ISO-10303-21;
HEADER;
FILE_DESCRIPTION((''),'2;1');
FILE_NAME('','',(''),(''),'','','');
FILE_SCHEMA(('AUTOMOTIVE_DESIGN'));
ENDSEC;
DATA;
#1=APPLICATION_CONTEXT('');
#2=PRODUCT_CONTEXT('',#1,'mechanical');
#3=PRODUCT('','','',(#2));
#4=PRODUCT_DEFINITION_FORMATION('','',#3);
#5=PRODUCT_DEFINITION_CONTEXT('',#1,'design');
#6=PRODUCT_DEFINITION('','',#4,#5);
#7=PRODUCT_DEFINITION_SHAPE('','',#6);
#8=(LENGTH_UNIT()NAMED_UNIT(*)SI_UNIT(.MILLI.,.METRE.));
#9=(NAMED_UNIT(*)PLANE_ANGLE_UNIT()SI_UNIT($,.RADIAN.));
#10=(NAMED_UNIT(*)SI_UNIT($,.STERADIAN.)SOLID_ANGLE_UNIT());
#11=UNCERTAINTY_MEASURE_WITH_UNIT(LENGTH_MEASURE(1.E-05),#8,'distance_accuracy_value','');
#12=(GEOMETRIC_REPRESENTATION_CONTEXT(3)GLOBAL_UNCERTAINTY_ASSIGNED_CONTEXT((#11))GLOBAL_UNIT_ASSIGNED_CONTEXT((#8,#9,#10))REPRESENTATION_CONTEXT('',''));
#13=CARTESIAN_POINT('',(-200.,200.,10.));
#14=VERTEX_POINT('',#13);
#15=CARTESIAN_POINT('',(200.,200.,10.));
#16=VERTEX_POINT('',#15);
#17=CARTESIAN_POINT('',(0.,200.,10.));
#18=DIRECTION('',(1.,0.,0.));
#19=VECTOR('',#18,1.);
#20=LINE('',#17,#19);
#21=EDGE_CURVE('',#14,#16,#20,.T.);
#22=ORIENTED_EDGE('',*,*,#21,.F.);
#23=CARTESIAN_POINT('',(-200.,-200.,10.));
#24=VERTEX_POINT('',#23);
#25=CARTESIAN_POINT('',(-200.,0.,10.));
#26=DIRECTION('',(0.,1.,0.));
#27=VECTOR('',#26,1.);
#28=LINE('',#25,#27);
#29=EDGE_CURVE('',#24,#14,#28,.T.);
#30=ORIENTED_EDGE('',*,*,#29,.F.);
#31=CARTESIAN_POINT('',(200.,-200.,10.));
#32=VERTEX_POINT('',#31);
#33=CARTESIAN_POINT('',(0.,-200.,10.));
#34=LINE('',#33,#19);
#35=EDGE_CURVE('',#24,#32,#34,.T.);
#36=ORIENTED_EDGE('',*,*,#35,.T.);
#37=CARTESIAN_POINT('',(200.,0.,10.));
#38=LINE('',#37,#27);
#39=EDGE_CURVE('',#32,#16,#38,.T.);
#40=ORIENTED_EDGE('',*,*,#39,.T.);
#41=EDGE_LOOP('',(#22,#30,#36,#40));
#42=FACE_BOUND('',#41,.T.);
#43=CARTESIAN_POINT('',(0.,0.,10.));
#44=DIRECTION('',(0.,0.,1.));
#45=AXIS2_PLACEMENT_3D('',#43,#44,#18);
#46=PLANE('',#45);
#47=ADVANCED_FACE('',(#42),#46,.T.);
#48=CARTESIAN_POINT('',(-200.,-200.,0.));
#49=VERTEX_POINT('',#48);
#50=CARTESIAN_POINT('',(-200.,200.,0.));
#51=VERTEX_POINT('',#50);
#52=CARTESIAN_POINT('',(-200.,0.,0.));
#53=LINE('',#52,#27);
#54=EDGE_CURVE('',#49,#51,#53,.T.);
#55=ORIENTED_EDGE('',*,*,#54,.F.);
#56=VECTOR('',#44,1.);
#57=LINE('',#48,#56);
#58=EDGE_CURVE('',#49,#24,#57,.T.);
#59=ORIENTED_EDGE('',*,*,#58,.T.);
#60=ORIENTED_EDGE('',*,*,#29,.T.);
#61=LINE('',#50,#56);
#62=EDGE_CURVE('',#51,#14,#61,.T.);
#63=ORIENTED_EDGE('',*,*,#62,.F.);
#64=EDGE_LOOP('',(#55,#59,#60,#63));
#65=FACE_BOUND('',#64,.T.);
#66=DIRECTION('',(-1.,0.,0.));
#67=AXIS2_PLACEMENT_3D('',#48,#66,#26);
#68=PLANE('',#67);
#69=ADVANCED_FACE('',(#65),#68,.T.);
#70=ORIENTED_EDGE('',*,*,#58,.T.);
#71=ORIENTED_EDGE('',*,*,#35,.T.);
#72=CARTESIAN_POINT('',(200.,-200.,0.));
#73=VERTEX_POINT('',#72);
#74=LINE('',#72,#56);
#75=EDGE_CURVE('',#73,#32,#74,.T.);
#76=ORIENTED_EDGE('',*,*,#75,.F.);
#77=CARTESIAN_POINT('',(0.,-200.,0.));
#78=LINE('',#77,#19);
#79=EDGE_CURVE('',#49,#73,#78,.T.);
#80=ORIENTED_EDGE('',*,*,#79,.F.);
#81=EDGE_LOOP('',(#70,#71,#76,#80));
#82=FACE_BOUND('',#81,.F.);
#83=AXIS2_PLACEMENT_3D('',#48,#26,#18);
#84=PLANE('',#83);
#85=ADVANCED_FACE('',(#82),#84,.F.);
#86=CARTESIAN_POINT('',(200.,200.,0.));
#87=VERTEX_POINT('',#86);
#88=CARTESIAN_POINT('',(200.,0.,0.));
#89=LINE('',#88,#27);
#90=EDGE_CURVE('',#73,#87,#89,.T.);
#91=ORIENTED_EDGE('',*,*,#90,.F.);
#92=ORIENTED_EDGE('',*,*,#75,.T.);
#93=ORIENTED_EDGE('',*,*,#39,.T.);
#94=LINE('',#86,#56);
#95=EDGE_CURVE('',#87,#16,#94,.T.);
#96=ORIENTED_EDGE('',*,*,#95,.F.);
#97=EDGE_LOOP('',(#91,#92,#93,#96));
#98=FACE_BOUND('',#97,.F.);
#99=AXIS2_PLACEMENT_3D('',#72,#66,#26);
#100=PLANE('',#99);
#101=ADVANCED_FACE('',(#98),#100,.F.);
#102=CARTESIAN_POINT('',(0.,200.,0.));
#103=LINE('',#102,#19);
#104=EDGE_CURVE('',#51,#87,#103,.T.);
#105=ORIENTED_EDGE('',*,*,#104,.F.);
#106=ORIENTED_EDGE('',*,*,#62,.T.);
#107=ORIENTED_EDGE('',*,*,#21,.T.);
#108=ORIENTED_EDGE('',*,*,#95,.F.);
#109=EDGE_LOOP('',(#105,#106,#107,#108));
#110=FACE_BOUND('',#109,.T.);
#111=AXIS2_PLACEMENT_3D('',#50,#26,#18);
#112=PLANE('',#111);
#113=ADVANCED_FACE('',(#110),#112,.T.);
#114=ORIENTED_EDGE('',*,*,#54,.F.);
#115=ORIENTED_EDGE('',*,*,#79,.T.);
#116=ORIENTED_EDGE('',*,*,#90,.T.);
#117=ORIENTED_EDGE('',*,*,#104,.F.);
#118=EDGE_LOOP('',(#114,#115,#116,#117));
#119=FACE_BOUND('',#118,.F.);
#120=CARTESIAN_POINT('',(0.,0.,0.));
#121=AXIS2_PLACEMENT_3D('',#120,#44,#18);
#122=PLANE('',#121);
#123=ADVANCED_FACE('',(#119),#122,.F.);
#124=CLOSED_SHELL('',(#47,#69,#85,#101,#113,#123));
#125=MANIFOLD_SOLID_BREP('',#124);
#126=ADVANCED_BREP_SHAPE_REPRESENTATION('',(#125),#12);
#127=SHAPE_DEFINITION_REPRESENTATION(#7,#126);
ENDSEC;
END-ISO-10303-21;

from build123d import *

# Parameters (mm, degrees)
ESQUISSE1_W        = 400
ESQUISSE1_H        = 400
BOSS_EXTRU_1_DEPTH = 10


with BuildPart() as part:
    # Esquisse1 → Boss.-Extru.1 (new body)
    with BuildSketch(Plane.XY):
        Rectangle(ESQUISSE1_W, ESQUISSE1_H)
    extrude(amount=BOSS_EXTRU_1_DEPTH)


solid = part.part
